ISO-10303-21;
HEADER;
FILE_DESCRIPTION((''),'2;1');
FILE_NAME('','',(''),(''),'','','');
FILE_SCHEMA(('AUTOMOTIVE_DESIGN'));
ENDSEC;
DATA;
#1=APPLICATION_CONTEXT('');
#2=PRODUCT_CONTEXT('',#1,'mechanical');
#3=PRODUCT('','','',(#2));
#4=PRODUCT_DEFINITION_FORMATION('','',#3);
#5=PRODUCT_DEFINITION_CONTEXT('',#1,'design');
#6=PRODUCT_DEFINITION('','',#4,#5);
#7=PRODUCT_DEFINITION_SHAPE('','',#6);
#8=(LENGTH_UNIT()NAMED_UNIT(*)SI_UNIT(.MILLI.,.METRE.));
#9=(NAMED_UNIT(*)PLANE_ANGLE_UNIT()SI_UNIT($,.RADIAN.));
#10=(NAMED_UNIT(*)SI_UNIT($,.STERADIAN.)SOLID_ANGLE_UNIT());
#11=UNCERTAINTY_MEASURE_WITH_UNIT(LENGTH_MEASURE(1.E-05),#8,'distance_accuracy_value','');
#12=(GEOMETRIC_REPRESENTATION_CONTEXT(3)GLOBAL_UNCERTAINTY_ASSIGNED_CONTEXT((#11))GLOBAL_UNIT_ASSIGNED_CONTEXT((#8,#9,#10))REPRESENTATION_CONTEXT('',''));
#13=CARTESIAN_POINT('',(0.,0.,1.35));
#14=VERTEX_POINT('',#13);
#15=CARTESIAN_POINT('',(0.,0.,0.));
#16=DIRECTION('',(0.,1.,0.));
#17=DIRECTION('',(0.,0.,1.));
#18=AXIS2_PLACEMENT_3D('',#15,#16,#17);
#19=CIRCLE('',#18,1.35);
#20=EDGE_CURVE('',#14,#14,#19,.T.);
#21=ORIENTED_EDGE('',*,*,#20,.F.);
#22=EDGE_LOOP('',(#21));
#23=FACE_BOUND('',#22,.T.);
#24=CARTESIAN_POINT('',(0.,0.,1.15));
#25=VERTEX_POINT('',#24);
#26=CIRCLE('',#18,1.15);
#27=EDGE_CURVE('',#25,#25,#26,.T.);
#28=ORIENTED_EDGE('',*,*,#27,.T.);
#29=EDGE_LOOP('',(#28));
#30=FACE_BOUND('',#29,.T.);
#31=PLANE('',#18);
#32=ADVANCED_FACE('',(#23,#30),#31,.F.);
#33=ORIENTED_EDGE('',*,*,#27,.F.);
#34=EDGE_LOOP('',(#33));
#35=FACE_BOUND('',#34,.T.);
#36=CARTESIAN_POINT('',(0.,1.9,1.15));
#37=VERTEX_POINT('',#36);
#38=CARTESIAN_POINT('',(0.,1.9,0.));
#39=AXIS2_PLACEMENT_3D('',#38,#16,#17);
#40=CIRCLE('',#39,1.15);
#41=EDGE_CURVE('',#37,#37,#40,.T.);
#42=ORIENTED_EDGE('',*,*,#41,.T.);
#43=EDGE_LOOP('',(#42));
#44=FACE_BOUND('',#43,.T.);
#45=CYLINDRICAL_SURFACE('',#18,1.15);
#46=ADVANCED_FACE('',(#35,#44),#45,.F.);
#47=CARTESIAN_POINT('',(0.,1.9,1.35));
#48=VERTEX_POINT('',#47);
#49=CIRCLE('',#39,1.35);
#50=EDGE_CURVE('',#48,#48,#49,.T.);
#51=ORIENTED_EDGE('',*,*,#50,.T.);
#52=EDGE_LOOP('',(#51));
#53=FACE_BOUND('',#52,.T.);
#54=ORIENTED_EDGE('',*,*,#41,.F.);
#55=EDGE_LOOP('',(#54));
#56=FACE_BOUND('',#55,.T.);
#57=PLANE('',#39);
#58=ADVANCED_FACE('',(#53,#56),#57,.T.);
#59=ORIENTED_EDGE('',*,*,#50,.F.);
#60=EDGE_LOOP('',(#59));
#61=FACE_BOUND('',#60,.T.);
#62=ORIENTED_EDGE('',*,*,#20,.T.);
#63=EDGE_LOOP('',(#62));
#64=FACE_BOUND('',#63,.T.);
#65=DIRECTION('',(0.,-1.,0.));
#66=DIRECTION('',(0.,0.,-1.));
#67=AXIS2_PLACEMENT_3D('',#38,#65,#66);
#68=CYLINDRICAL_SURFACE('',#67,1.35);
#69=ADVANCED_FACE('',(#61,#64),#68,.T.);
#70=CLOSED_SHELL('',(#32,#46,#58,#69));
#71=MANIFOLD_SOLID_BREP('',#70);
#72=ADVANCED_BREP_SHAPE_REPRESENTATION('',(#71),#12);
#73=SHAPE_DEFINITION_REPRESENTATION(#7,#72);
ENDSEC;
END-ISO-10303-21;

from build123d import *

# Parameters (mm, degrees)
SKETCH1_R           = 1.35
BOSS_EXTRUDE1_DEPTH = 1.9
SKETCH2_R           = 1.15
CUT_EXTRUDE1_DEPTH  = 2.9


with BuildPart() as part:
    # Sketch1 → Boss-Extrude1 (new body)
    with BuildSketch(Plane(origin=(0, 0, 0), x_dir=(1, 0, 0), z_dir=(0, 1, 0))):
        Circle(SKETCH1_R)
    extrude(amount=BOSS_EXTRUDE1_DEPTH)

    # Sketch2 → Cut-Extrude1 (cut, through all)
    with BuildSketch(Plane(origin=(0, 1.9, 0), x_dir=(1, 0, 0), z_dir=(0, 1, 0))):
        Circle(SKETCH2_R)
    extrude(amount=-CUT_EXTRUDE1_DEPTH, mode=Mode.SUBTRACT)


solid = part.part
